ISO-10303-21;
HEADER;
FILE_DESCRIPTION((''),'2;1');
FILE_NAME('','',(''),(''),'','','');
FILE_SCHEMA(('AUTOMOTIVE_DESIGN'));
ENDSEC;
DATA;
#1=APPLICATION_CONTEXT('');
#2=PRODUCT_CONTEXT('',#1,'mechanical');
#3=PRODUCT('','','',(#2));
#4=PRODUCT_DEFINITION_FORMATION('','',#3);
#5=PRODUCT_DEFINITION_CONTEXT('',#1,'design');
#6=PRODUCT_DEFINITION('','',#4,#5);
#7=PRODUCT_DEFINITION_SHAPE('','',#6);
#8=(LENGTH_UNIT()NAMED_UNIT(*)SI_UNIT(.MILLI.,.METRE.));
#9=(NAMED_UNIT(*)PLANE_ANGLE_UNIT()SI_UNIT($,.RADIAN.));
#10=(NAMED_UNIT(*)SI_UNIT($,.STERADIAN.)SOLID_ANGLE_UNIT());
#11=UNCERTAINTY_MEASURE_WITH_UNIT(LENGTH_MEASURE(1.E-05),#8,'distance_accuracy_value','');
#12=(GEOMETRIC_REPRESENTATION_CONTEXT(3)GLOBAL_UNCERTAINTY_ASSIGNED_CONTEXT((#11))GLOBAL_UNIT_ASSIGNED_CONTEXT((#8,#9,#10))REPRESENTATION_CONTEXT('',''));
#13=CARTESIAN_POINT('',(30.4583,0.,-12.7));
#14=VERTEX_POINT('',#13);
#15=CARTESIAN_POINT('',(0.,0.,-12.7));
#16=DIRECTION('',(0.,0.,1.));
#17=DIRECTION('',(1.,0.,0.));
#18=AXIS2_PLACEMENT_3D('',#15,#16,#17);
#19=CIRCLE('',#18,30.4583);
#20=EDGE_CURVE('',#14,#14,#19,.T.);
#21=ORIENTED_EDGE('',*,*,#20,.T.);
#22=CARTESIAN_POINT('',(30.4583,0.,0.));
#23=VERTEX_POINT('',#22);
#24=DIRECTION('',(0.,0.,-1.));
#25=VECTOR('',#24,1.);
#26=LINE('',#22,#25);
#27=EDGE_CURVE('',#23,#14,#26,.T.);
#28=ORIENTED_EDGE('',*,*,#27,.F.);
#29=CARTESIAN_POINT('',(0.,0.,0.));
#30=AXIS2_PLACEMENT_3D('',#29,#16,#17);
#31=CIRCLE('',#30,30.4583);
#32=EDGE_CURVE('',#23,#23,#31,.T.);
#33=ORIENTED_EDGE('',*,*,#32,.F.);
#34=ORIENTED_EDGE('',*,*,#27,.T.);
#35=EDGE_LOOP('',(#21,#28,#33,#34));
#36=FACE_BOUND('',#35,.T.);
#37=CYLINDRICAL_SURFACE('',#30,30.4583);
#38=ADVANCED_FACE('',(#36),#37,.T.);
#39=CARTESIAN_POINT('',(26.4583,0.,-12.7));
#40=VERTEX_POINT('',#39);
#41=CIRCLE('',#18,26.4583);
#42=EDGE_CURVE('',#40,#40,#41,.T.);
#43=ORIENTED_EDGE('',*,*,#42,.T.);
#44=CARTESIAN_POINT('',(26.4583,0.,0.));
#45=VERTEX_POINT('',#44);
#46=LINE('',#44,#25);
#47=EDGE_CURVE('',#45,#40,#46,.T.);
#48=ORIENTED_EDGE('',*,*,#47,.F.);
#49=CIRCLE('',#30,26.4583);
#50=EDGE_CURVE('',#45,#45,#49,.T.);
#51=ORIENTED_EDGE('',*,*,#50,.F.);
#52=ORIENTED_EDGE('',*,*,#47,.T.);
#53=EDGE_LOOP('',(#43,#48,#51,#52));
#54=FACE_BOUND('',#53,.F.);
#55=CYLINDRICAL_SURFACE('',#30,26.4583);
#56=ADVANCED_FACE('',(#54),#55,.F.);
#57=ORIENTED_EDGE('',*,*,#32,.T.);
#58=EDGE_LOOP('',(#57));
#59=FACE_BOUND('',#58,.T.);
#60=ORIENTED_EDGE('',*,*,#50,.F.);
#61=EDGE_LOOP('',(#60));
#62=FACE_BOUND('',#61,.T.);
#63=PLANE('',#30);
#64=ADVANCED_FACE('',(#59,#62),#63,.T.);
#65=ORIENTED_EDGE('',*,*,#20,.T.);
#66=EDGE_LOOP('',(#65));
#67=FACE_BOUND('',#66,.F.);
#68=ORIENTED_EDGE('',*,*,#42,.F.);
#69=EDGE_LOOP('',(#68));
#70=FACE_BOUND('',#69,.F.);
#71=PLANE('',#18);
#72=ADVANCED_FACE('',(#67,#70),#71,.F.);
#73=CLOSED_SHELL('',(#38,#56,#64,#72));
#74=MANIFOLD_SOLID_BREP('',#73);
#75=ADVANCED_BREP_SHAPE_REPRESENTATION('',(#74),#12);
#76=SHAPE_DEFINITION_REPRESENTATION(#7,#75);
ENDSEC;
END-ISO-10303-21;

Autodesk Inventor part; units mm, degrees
ref_plane "YZ Plane" through (0, 0, 0) normal (1, 0, 0) x (0, 1, 0)
ref_plane "XZ Plane" through (0, 0, 0) normal (0, 1, 0) x (-1, 0, 0)
ref_plane "XY Plane" through (0, 0, 0) normal (0, 0, 1) x (1, 0, 0)
sketch "Sketch1" plane through (0, 0, 0) normal (0, 0, 1) x (1, 0, 0)
  circle A0 centre (0, 0) radius 26.4583
  circle A1 centre (0, 0) radius 30.4583
  dimension "d0" = 4
extrude "Extrusion1" add sketch "Sketch1" against normal blind 12.7
properties part number "Stretched 2.000 30A .500" material "Rubber, Silicone"
